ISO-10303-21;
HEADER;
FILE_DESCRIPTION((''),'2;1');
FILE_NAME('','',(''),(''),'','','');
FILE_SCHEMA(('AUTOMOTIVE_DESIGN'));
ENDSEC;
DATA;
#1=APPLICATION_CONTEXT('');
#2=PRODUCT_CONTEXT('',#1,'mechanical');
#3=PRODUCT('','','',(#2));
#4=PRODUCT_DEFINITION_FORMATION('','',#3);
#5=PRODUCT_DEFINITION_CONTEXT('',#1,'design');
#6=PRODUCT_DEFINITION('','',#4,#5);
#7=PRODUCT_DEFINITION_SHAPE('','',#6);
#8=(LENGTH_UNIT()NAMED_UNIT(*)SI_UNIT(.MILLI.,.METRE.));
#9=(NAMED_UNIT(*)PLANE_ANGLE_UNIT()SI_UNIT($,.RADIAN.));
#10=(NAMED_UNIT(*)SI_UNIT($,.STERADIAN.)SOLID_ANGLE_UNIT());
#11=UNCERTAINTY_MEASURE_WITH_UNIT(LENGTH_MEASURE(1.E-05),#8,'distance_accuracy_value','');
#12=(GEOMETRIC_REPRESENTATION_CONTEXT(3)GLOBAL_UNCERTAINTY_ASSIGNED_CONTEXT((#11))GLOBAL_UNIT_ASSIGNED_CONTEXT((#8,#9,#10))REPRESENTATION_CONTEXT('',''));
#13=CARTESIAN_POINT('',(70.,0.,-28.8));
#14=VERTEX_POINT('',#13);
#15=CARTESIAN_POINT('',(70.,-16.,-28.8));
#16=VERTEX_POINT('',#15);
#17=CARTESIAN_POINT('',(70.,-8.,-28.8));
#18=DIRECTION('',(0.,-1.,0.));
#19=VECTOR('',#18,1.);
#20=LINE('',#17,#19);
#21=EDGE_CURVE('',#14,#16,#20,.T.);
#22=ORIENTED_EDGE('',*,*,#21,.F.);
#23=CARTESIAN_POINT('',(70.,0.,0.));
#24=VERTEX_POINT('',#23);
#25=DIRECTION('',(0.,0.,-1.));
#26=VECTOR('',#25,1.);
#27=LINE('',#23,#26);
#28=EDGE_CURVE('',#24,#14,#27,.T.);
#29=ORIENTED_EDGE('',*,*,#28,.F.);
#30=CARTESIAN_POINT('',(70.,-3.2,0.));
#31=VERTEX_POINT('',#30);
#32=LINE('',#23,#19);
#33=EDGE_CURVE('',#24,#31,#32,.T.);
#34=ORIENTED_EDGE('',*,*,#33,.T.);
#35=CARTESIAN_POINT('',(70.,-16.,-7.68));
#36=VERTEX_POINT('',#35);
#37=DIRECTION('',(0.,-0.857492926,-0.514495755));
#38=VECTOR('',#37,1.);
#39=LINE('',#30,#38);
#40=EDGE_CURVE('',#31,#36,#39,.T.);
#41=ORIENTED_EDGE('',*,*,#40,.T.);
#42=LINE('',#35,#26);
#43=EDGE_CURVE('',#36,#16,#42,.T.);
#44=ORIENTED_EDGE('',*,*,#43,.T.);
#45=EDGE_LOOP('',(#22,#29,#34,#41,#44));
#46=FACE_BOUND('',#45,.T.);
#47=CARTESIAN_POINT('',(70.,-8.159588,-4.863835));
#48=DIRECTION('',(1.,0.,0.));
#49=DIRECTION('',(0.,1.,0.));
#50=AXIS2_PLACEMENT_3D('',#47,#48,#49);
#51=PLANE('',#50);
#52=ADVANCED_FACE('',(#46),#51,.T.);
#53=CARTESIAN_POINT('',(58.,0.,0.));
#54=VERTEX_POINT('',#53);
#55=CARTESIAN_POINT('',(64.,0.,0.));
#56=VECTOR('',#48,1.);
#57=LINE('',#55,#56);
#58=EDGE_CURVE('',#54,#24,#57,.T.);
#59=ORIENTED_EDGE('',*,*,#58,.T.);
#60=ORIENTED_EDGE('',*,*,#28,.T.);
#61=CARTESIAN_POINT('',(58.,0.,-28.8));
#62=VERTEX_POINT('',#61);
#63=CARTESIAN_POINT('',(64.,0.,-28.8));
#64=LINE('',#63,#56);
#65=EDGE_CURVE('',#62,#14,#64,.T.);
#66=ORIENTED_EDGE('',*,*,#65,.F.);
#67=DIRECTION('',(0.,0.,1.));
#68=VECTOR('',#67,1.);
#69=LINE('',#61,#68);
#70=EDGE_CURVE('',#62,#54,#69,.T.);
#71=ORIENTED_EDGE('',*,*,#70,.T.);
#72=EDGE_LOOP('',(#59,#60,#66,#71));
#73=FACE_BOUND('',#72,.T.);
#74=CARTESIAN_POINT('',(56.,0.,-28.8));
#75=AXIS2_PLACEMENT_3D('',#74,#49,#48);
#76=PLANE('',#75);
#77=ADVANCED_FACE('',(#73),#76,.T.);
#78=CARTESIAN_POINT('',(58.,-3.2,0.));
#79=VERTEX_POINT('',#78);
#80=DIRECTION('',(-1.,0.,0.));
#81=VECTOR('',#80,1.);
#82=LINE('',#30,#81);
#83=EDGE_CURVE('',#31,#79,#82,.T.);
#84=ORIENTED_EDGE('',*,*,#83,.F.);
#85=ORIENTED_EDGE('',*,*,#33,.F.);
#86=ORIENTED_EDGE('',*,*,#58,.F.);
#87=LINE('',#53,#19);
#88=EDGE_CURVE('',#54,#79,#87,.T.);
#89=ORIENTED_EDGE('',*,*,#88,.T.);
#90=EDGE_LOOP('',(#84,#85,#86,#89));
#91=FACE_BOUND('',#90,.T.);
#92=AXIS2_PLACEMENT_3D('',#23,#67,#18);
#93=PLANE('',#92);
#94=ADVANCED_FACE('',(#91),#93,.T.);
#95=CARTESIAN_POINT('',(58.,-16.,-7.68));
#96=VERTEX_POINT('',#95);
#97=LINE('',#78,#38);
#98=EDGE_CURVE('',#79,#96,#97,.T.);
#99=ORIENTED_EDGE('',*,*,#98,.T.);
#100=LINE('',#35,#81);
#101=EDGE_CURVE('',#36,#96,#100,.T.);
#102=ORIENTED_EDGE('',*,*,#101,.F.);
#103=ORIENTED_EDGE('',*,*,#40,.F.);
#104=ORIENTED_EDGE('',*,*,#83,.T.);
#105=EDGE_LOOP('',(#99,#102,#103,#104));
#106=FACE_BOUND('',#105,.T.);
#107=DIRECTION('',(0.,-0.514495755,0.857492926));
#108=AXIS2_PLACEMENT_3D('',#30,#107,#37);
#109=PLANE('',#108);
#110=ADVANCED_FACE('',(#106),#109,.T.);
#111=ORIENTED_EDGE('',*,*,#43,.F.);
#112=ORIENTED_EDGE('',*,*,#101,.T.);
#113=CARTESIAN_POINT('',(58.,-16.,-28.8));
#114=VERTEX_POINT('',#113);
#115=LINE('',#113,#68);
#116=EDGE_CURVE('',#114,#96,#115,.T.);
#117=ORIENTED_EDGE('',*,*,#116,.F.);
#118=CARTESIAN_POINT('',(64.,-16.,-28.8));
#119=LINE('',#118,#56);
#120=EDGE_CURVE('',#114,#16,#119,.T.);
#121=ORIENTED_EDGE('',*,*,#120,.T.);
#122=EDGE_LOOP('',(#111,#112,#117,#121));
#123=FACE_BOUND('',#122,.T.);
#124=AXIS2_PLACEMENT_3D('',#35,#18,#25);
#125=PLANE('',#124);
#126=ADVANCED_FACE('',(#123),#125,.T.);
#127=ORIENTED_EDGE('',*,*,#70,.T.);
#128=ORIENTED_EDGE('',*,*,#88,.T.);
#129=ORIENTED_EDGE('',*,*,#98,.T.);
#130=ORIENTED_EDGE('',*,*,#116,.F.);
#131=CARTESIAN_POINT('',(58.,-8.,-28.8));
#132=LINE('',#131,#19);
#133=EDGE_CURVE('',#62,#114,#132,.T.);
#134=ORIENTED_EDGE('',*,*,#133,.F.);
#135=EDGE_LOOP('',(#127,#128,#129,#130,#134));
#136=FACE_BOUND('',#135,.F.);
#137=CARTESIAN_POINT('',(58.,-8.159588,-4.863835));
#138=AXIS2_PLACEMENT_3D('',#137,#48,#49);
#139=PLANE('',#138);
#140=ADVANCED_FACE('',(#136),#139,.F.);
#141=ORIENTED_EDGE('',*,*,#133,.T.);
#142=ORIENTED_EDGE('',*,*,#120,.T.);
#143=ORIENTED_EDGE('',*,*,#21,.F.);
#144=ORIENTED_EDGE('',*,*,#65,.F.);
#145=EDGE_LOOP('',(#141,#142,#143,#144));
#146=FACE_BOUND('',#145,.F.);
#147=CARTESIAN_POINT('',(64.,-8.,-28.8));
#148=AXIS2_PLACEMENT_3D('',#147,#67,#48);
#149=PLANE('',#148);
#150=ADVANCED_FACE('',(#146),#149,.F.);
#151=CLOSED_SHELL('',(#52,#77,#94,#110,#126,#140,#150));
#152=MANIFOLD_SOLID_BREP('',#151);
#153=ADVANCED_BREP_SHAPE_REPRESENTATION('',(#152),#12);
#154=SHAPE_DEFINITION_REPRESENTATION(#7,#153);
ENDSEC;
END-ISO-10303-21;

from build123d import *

# Parameters (mm, degrees)
SKETCH030_W     = 16
SKETCH030_H     = 16
PAD016_DEPTH    = 28.8
POCKET014_DEPTH = 16
SKETCH114_W     = 2
SKETCH114_H     = 16
POCKET030_DEPTH = 30
PAD135_DEPTH    = 12


with BuildPart() as part:
    # Sketch030 (on Face52 of Binder012) → Pad016 (new body)
    with BuildSketch(Plane.XY.offset(-28.8)):
        with Locations((64, -8)):
            Rectangle(SKETCH030_W, SKETCH030_H)
    extrude(amount=PAD016_DEPTH)

    # Sketch031 (on Face2 of Pad016) → Pocket014 (cut)
    with BuildSketch(Plane.YZ.offset(72)):
        Polygon((-16, 0), (-16, -9.6), (0, 0), align=None)
    extrude(amount=-POCKET014_DEPTH, mode=Mode.SUBTRACT)

    # Sketch114 (on Face2 of Pocket014) → Pocket030 (cut)
    with BuildSketch(Plane(origin=(0, 0, -28.8), x_dir=(1, 0, 0), z_dir=(0, 0, -1))):
        with Locations((57, 8)):
            Rectangle(SKETCH114_W, SKETCH114_H)
        with Locations((71, 8)):
            Rectangle(SKETCH114_W, SKETCH114_H)
    extrude(amount=-POCKET030_DEPTH, mode=Mode.SUBTRACT)

    # Sketch135 (on Face3 of Pocket030) → Pad135 (join)
    with BuildSketch(Plane.YZ.offset(70)):
        Polygon((0, 0), (-3.2, 0), (-16, -7.68), (-16, -10.88), (-3.2, -3.2), (0, -3.2), align=None)
    extrude(amount=-PAD135_DEPTH)


solid = part.part
